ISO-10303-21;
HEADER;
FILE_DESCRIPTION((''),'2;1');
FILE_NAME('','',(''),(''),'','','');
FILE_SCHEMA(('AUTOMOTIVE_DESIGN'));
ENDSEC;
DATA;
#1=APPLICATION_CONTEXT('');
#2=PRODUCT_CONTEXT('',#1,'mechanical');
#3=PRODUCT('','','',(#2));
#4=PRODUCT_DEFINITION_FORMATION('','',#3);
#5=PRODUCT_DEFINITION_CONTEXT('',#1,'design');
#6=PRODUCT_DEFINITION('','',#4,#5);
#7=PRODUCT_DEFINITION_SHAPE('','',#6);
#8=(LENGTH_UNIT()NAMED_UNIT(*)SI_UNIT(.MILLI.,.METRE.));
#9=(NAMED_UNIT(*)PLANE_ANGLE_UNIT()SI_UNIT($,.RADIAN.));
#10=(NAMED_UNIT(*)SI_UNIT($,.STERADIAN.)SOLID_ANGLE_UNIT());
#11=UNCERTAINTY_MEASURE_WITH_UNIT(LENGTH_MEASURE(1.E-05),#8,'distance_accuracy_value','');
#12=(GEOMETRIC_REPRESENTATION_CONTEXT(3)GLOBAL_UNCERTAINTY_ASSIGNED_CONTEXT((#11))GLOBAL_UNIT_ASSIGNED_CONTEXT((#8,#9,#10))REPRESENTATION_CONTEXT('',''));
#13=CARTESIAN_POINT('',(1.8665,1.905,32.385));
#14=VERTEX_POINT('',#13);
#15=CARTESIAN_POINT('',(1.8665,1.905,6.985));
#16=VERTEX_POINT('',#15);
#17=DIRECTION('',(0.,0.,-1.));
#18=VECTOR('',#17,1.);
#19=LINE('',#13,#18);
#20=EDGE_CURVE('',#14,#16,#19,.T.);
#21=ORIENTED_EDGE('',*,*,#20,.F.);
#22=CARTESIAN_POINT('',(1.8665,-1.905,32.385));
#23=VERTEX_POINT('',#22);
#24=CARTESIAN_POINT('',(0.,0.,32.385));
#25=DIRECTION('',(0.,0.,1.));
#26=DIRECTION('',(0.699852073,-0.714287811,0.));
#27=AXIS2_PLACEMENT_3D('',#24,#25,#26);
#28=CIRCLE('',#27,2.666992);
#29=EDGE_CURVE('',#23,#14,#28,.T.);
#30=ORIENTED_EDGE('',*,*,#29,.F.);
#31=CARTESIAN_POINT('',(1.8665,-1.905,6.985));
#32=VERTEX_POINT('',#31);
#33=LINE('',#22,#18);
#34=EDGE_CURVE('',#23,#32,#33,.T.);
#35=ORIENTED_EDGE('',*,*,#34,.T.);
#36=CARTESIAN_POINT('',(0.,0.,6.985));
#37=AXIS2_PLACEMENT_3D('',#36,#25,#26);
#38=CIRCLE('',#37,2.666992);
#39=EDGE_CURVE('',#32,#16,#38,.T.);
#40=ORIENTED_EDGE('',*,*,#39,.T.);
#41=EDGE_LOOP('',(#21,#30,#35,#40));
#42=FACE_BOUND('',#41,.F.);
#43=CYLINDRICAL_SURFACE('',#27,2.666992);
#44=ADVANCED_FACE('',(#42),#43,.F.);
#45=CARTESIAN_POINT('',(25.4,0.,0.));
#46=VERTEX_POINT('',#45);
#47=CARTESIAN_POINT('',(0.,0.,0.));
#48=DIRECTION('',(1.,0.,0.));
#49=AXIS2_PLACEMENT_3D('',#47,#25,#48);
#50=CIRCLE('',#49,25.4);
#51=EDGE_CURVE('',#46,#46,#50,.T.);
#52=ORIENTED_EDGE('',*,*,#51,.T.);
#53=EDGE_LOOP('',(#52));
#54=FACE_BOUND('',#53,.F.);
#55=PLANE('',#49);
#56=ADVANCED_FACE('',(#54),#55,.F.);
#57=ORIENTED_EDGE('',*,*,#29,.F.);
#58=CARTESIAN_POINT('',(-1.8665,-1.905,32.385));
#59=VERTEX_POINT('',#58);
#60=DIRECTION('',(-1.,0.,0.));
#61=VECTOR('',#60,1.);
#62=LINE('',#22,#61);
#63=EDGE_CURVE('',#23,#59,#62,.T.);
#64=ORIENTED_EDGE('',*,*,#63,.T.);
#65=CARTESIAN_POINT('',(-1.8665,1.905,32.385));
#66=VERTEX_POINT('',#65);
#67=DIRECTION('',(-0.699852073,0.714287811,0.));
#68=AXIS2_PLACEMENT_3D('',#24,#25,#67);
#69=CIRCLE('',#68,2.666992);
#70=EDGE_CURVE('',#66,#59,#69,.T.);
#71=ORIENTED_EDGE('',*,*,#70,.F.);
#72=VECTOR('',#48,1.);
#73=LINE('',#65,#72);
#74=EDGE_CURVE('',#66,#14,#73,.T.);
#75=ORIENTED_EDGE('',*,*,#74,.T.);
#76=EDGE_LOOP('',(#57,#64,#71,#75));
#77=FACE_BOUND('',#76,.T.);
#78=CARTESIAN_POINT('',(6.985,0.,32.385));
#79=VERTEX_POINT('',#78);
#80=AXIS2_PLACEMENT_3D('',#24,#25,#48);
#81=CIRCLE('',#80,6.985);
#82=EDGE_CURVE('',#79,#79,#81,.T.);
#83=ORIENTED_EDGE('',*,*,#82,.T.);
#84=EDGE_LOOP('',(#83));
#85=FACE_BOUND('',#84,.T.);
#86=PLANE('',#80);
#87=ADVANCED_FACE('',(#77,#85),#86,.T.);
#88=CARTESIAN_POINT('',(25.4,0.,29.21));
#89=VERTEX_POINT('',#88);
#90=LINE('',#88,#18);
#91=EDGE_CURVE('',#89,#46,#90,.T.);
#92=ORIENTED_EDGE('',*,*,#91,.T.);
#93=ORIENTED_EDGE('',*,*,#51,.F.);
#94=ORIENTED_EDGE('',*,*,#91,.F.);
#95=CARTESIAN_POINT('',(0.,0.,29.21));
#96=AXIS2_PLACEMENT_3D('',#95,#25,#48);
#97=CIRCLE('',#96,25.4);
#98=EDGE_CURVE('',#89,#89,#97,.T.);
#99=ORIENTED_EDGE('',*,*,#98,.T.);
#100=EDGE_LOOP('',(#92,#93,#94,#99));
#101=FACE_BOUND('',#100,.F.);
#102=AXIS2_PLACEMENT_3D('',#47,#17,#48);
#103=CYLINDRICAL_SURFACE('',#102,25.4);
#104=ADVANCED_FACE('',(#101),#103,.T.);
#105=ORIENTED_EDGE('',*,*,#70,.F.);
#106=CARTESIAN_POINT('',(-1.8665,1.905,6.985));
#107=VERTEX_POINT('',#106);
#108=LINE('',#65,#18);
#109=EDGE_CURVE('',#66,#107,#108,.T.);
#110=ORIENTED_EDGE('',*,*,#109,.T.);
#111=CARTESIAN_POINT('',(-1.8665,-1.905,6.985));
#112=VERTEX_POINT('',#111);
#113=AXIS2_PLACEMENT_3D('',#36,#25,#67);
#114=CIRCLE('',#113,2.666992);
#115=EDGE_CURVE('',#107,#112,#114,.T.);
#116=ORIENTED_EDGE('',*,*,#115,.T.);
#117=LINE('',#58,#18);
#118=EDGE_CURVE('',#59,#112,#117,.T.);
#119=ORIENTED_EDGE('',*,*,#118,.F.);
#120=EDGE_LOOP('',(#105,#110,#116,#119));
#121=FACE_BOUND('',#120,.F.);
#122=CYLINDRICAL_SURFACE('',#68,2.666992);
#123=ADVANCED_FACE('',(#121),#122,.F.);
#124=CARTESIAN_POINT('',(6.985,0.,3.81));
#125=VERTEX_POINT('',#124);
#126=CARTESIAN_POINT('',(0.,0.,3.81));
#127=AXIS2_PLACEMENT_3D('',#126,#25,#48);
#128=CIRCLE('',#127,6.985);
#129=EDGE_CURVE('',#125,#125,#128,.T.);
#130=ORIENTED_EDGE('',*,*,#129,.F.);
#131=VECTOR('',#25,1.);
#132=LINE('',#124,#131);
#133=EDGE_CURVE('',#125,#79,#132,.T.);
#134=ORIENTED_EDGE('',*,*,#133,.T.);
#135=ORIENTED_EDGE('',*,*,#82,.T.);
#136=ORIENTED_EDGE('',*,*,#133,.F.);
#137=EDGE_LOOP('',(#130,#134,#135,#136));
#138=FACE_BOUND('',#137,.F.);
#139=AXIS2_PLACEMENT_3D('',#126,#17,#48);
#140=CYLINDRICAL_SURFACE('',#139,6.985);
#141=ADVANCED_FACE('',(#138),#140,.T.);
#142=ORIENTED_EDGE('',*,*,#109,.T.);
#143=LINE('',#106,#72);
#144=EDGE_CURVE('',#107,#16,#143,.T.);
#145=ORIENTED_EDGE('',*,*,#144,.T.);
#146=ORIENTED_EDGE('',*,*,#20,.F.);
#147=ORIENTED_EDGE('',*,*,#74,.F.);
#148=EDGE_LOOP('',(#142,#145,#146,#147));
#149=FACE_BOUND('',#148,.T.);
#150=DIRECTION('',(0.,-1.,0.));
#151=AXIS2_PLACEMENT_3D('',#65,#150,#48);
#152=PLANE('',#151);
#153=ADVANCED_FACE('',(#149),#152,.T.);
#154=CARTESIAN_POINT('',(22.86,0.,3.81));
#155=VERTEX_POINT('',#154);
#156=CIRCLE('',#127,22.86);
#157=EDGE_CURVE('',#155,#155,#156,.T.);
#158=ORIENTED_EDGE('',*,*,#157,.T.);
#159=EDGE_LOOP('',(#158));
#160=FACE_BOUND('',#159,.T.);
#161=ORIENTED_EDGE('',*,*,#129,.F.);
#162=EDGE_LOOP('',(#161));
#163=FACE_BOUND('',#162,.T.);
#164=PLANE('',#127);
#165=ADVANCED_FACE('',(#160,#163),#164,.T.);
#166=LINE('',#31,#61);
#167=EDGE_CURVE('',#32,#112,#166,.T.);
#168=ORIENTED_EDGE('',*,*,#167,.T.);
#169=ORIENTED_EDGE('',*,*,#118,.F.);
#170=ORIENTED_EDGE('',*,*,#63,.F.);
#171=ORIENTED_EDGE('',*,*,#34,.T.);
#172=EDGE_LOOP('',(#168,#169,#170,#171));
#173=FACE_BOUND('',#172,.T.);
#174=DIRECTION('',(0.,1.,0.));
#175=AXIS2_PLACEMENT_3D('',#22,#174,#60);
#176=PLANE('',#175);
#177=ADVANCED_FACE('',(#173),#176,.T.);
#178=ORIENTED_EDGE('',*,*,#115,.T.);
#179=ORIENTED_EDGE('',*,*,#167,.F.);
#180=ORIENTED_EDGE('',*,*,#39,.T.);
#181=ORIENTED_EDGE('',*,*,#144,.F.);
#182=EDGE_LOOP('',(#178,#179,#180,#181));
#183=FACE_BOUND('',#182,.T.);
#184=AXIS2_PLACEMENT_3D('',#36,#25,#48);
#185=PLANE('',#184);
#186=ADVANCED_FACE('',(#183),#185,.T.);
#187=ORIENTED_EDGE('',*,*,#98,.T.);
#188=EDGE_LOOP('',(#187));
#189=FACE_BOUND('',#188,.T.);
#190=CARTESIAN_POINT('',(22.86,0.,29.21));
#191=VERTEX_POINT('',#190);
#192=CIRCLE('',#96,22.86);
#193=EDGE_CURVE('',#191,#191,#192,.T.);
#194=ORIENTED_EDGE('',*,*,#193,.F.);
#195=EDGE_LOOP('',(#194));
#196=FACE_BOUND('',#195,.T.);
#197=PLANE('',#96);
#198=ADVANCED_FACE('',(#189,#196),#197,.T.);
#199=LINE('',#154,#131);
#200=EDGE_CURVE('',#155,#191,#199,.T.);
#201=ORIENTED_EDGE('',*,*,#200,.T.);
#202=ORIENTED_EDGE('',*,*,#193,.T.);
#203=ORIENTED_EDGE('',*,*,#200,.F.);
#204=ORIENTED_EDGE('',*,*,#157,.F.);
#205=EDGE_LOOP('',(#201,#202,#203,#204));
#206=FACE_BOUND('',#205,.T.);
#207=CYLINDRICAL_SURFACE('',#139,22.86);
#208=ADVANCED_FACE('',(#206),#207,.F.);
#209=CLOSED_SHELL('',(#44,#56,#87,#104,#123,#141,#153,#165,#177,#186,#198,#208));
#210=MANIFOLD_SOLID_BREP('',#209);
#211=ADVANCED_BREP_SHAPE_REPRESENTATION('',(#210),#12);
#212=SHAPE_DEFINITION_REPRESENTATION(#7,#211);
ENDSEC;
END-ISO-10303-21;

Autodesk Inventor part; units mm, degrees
ref_plane "YZ Plane" through (0, 0, 0) normal (1, 0, 0) x (0, 1, 0)
ref_plane "XZ Plane" through (0, 0, 0) normal (0, 1, 0) x (-1, 0, 0)
ref_plane "XY Plane" through (0, 0, 0) normal (0, 0, 1) x (1, 0, 0)
sketch "Sketch1" plane through (0, 0, 0) normal (0, 0, 1) x (1, 0, 0)
  circle A0 centre (0, 0) radius 25.4
  dimension "d0" = 50.8
extrude "Extrusion1" add sketch "Sketch1" along normal blind 3.81
sketch "Sketch2" plane through (0, 0, 3.81) normal (0, 0, 1) x (1, 0, 0)
  circle A0 centre (0, 0) radius 22.86
  circle A1 centre (0, 0) radius 25.4
  dimension "d3" = 45.72
extrude "Extrusion2" add sketch "Sketch2" along normal blind 25.4
sketch "Sketch3" plane through (0, 0, 3.81) normal (0, 0, 1) x (1, 0, 0)
  circle A0 centre (0, 0) radius 6.985
  dimension "d6" = 13.97
extrude "Extrusion3" add sketch "Sketch3" along normal blind 28.575
sketch "Sketch4" plane through (0, 0, 32.385) normal (0, 0, 1) x (1, 0, 0)
  line L0 (-1.8665, 1.905) -> (1.8665, 1.905)
  line L1 (1.8665, -1.905) -> (-1.8665, -1.905)
  arc A0 (-1.8665, 1.905) -> (-1.8665, -1.905) centre (0, 0) ccw
  arc A1 (1.8665, -1.905) -> (1.8665, 1.905) centre (0, 0) ccw
  point P0 (0, 1.905)
  point P1 (0, -1.905)
  dimension "d10" = 1.905
  dimension "d11" = 1.905
extrude "Extrusion4" cut sketch "Sketch4" against normal blind 25.4
properties part number "Wheel" material "ABS Plastic"
